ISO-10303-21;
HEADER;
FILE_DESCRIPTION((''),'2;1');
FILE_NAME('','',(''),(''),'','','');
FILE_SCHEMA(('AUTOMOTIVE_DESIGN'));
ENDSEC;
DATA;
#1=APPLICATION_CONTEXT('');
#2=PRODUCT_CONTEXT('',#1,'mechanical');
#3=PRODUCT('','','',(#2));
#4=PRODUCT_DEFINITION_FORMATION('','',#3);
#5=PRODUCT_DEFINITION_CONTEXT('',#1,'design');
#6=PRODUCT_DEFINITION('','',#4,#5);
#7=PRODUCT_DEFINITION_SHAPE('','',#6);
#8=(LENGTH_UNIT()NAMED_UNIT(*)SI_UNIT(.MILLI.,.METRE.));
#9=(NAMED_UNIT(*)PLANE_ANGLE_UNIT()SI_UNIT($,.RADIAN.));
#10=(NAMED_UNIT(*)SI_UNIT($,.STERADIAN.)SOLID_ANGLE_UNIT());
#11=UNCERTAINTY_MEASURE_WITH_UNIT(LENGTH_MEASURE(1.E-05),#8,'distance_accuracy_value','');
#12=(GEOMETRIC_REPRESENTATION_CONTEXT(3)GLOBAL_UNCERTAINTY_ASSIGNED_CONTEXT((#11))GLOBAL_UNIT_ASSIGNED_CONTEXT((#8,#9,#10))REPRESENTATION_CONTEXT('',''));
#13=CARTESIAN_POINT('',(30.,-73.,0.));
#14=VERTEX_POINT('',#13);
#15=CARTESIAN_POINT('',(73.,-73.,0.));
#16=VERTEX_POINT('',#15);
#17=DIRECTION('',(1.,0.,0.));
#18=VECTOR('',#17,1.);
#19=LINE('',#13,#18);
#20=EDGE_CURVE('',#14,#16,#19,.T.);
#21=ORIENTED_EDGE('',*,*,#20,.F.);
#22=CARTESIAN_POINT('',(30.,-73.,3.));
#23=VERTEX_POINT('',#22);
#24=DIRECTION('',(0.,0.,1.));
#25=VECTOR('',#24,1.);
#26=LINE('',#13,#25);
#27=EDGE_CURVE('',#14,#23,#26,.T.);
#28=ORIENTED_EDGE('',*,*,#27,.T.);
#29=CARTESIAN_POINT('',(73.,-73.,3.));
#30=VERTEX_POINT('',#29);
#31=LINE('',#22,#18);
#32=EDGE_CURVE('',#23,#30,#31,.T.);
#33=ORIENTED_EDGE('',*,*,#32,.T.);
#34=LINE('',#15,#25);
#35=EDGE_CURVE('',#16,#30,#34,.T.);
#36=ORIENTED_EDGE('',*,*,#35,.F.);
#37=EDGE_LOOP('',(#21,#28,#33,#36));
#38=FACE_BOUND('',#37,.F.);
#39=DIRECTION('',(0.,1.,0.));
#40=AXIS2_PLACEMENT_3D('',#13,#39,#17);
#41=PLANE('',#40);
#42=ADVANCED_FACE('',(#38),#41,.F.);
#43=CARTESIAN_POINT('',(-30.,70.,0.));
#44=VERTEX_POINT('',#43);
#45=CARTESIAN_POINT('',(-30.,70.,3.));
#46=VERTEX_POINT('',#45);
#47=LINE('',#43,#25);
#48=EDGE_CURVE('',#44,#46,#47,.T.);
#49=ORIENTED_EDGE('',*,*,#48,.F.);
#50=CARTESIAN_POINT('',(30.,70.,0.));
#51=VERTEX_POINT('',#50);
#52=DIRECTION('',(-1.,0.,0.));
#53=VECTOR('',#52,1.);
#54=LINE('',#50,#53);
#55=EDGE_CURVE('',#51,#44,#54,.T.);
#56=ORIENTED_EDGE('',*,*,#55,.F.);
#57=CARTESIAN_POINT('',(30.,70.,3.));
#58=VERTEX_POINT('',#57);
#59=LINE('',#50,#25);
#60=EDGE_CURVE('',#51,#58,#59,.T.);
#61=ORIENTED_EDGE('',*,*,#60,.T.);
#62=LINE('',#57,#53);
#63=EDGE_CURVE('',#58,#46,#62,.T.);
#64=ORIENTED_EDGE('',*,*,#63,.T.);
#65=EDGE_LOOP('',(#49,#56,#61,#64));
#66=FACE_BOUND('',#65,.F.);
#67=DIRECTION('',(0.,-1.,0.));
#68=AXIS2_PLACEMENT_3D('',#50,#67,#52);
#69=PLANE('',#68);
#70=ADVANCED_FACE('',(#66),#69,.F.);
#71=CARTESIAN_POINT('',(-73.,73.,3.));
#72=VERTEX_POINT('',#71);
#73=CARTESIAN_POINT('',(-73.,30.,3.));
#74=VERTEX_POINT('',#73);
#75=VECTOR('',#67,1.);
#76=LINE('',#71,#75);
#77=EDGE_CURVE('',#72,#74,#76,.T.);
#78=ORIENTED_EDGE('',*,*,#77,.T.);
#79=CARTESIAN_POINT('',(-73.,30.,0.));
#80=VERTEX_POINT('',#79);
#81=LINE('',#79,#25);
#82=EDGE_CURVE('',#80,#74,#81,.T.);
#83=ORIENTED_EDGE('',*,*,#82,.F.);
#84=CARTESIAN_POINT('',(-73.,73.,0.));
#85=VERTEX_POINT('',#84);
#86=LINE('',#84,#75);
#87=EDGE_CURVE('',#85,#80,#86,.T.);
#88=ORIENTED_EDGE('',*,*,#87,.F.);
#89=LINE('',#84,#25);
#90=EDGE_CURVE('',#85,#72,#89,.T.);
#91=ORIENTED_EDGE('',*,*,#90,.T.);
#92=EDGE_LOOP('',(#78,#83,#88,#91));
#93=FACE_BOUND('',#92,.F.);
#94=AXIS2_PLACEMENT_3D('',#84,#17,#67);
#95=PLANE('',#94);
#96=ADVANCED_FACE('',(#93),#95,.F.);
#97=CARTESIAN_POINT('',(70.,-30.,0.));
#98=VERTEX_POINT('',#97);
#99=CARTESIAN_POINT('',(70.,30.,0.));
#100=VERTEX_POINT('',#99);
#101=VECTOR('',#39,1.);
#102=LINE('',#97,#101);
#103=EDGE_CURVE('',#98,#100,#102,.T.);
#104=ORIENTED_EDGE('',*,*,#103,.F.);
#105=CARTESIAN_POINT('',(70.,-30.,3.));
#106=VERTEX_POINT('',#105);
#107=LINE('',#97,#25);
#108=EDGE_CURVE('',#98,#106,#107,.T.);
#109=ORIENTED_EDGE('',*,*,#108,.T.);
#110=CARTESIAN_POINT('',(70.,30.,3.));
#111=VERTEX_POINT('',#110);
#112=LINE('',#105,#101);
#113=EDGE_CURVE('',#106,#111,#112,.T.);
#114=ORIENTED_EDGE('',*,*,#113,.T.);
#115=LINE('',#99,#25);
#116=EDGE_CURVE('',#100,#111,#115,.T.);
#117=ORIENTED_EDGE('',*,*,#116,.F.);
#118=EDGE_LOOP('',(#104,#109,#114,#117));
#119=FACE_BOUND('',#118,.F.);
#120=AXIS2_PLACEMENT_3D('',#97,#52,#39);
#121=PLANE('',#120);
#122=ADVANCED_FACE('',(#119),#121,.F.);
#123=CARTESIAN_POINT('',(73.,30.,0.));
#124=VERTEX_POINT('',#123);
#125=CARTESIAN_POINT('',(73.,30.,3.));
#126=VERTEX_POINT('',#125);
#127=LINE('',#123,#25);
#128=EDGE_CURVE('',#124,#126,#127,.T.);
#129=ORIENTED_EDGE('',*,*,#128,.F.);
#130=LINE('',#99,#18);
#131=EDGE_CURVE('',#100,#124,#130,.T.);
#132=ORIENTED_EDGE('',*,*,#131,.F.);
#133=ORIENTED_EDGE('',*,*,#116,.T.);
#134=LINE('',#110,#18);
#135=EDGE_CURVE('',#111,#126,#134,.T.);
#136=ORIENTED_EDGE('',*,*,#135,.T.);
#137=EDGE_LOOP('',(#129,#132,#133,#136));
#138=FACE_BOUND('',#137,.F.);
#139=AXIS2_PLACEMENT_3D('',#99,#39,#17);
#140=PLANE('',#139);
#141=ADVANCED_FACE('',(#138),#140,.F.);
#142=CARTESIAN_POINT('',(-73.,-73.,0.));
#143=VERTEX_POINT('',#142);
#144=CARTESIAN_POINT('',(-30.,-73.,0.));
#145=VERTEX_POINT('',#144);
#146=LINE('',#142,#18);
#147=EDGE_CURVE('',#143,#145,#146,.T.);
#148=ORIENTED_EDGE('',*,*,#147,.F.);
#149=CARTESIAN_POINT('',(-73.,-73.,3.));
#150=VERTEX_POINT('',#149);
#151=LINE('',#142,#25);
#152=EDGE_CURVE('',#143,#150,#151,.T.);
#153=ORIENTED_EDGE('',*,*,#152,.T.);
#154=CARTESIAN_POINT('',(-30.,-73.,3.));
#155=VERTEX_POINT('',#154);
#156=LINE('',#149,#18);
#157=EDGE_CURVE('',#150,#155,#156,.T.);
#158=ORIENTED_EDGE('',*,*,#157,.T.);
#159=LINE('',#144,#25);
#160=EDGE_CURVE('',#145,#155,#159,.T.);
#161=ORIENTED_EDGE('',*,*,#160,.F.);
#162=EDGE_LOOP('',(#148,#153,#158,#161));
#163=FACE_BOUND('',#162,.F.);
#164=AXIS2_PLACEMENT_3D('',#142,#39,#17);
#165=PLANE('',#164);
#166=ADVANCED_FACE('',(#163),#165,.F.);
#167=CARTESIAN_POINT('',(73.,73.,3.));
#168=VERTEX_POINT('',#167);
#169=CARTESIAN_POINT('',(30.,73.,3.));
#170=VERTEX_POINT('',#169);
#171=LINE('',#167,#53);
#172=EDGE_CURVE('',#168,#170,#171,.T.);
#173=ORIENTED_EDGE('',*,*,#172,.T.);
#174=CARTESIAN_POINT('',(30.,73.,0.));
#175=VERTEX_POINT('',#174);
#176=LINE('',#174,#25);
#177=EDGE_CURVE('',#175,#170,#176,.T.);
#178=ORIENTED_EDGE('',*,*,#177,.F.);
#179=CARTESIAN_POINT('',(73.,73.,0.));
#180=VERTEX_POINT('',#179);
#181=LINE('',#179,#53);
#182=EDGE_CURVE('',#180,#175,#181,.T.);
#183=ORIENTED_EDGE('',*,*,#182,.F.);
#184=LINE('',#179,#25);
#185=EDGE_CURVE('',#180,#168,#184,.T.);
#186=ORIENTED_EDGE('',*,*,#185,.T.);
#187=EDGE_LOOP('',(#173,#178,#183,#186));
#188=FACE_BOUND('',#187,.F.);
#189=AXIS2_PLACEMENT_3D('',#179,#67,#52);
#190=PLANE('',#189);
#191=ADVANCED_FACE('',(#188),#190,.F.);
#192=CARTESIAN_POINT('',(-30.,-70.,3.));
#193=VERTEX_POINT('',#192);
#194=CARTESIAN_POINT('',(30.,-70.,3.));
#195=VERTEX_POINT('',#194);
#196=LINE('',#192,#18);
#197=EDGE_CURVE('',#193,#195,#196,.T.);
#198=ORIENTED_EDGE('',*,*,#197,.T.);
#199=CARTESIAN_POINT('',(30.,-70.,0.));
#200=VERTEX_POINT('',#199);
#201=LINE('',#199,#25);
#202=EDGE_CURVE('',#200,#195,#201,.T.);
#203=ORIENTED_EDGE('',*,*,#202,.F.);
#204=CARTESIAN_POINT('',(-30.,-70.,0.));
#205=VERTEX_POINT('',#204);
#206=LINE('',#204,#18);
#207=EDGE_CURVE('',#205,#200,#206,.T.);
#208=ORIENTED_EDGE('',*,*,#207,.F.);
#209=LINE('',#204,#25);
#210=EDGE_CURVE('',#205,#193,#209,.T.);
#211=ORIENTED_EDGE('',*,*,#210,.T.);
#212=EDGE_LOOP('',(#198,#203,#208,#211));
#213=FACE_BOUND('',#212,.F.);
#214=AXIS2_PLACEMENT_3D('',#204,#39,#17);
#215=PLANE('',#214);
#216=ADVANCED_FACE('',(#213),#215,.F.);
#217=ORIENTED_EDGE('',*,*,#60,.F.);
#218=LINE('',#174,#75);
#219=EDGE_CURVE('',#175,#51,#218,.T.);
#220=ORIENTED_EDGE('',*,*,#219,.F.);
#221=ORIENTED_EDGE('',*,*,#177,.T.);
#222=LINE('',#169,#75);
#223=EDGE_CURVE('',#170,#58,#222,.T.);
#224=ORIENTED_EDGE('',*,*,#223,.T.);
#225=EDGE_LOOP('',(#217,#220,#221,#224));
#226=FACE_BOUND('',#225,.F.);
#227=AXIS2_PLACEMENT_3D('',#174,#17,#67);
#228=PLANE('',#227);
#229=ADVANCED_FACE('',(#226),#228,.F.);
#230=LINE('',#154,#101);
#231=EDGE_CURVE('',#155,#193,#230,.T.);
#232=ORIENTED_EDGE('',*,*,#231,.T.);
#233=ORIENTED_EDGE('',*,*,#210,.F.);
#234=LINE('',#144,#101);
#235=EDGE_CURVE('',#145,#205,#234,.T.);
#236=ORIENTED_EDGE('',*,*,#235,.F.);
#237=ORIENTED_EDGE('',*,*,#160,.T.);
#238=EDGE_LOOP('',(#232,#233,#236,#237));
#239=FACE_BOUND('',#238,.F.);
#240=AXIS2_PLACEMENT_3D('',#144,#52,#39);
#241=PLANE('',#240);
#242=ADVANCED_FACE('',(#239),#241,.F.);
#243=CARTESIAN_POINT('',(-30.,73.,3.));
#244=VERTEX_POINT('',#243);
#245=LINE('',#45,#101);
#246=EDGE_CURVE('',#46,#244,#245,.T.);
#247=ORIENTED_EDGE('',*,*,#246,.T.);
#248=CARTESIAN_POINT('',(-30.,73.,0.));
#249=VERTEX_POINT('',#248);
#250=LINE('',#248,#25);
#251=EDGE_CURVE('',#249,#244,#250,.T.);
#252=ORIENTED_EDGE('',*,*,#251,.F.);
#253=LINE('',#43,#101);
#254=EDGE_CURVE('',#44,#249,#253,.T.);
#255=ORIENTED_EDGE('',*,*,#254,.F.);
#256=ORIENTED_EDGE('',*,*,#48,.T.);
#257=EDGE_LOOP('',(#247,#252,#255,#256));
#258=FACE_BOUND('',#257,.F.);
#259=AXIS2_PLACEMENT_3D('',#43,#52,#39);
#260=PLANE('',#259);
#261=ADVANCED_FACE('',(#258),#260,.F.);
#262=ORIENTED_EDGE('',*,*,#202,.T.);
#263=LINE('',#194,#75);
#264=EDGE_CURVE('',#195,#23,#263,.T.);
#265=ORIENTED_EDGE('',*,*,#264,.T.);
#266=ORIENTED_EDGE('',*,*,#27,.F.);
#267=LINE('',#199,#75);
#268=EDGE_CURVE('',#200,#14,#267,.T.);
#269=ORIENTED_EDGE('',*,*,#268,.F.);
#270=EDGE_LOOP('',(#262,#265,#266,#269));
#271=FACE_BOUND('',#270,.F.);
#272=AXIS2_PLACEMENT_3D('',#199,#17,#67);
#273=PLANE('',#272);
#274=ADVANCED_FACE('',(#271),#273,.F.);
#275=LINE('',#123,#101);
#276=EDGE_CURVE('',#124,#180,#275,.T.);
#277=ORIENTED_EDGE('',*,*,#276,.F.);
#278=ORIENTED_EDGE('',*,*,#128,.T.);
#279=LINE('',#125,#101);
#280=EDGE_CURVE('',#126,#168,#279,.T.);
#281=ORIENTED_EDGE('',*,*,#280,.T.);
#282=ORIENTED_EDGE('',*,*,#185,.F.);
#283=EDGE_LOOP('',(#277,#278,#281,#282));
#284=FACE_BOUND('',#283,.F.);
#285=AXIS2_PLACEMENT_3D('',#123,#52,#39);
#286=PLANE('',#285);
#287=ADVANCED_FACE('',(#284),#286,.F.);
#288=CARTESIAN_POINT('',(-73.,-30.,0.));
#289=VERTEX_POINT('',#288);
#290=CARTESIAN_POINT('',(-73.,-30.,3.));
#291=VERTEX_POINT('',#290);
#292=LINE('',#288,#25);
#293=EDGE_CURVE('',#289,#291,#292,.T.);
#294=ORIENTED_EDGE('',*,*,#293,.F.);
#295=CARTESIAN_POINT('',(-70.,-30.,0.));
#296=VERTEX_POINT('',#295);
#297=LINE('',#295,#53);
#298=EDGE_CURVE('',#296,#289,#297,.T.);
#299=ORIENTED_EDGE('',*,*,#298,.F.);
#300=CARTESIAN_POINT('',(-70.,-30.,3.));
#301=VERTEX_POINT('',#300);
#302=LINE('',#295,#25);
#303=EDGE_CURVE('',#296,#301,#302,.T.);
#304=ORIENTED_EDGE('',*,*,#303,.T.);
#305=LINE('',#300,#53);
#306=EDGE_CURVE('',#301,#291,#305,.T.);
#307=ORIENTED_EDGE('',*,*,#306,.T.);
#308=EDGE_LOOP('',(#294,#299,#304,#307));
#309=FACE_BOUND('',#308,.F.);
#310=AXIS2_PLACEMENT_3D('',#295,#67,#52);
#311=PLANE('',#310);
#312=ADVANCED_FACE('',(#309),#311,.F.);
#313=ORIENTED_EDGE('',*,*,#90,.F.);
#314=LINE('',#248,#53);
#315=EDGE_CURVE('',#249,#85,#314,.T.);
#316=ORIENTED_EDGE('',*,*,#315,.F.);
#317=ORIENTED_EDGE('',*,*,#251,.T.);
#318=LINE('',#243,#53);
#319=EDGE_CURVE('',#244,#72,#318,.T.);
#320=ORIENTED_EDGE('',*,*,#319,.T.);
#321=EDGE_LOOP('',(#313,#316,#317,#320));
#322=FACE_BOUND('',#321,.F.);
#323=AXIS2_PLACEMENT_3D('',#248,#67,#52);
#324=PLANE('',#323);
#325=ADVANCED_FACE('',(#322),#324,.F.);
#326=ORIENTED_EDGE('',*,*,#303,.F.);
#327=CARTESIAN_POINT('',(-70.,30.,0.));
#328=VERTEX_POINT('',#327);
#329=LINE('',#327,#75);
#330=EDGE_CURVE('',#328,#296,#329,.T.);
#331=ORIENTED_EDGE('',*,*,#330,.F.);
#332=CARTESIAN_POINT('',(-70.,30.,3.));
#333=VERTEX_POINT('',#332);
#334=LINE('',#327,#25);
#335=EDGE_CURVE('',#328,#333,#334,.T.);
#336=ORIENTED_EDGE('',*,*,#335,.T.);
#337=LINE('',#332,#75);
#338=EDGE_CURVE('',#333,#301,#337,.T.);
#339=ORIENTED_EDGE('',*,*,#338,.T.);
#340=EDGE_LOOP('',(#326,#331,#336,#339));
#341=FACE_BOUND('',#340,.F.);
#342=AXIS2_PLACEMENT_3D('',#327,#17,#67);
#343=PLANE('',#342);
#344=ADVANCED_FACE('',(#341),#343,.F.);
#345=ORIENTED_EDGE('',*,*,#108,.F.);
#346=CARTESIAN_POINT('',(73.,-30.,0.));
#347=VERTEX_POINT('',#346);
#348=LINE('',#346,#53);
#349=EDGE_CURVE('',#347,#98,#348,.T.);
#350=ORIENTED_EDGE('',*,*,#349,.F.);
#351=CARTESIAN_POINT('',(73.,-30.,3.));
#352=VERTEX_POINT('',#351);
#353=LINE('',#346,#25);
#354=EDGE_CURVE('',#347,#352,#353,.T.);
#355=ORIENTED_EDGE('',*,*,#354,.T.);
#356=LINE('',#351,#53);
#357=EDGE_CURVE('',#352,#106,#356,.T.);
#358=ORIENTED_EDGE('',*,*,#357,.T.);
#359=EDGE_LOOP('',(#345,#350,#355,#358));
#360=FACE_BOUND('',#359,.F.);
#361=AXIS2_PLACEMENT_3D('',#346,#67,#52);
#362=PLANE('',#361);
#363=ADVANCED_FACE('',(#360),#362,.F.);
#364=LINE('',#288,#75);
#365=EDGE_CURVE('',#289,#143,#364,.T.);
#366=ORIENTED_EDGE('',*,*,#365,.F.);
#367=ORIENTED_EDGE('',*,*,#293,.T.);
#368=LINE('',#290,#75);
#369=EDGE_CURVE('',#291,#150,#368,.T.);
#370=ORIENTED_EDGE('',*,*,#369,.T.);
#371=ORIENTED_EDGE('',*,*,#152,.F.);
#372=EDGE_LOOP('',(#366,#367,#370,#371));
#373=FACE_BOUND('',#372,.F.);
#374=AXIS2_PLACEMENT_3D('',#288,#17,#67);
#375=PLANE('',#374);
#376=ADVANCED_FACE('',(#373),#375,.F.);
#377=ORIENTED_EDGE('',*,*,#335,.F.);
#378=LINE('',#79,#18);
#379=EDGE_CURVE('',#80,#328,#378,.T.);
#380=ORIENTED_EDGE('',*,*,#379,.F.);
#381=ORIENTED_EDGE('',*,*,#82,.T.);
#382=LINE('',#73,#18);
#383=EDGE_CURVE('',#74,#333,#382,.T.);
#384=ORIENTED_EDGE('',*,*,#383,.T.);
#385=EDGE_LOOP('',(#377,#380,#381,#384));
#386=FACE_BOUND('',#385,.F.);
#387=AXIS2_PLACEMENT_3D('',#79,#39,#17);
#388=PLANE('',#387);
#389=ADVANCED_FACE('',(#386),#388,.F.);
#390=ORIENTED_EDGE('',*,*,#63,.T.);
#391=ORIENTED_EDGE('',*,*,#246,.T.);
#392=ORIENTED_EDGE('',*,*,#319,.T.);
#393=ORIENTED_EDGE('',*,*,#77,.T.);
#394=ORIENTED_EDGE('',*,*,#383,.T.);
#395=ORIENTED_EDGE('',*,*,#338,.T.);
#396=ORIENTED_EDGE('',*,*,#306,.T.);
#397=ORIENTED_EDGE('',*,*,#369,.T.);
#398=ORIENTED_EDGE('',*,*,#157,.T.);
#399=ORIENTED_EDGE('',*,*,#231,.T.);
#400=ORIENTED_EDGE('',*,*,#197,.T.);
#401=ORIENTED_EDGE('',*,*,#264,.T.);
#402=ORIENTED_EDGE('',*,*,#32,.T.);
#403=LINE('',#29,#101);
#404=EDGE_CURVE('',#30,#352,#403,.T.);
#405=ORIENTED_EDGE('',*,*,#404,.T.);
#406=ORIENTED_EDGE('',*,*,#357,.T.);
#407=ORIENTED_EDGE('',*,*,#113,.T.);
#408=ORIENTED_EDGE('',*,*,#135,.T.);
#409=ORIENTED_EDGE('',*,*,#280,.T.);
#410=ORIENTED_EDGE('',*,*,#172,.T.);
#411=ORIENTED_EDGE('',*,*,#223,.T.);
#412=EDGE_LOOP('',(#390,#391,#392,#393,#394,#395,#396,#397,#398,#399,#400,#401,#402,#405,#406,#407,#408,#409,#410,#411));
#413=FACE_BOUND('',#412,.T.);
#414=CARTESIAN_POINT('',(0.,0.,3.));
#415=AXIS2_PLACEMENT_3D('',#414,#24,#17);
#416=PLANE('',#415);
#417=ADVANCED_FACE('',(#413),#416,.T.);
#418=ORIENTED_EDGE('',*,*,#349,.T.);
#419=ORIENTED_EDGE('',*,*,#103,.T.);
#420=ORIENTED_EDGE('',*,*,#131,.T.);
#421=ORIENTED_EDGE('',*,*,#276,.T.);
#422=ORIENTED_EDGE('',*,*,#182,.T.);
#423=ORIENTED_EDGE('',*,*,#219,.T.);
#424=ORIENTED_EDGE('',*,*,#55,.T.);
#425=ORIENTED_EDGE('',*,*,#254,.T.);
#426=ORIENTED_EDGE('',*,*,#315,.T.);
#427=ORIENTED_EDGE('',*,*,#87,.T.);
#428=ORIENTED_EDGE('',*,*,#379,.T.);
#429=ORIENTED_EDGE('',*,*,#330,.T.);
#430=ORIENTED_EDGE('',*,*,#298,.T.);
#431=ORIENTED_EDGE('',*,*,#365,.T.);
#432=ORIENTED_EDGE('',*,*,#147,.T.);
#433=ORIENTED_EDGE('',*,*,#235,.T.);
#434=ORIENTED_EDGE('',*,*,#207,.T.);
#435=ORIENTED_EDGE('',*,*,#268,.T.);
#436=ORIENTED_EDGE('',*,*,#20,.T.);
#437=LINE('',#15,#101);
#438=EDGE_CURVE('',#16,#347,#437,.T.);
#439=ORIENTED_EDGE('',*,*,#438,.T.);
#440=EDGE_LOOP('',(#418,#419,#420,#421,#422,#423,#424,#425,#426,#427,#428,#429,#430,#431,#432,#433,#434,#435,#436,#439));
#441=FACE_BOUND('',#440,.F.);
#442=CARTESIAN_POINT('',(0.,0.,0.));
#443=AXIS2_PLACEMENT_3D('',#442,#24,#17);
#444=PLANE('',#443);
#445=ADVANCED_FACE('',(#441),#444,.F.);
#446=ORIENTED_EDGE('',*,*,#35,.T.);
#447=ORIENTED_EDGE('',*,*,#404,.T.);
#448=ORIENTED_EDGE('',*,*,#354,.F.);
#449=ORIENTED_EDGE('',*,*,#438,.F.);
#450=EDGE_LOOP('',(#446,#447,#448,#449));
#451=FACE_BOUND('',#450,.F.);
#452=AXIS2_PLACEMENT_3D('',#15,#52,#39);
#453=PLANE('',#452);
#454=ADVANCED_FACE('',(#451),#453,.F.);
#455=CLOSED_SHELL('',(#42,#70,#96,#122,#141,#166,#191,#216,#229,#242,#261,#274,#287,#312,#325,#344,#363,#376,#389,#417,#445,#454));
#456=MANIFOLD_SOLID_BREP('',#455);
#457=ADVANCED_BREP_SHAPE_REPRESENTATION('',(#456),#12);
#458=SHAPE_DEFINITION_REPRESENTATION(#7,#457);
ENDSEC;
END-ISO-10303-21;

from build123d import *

# Parameters (mm, degrees)
F1_DEPTH = 3


with BuildPart() as f1:
    # F0 (on Top) → F1 (new body)
    with BuildSketch(Plane.XY):
        Polygon((30, -73), (73, -73), (73, -30), (70, -30), (70, 30), (73, 30), (73, 73), (30, 73), (30, 70), (-30, 70), (-30, 73), (-73, 73), (-73, 30), (-70, 30), (-70, -30), (-73, -30), (-73, -73), (-30, -73), (-30, -70), (30, -70), align=None)
    extrude(amount=F1_DEPTH)


solid = f1.part
